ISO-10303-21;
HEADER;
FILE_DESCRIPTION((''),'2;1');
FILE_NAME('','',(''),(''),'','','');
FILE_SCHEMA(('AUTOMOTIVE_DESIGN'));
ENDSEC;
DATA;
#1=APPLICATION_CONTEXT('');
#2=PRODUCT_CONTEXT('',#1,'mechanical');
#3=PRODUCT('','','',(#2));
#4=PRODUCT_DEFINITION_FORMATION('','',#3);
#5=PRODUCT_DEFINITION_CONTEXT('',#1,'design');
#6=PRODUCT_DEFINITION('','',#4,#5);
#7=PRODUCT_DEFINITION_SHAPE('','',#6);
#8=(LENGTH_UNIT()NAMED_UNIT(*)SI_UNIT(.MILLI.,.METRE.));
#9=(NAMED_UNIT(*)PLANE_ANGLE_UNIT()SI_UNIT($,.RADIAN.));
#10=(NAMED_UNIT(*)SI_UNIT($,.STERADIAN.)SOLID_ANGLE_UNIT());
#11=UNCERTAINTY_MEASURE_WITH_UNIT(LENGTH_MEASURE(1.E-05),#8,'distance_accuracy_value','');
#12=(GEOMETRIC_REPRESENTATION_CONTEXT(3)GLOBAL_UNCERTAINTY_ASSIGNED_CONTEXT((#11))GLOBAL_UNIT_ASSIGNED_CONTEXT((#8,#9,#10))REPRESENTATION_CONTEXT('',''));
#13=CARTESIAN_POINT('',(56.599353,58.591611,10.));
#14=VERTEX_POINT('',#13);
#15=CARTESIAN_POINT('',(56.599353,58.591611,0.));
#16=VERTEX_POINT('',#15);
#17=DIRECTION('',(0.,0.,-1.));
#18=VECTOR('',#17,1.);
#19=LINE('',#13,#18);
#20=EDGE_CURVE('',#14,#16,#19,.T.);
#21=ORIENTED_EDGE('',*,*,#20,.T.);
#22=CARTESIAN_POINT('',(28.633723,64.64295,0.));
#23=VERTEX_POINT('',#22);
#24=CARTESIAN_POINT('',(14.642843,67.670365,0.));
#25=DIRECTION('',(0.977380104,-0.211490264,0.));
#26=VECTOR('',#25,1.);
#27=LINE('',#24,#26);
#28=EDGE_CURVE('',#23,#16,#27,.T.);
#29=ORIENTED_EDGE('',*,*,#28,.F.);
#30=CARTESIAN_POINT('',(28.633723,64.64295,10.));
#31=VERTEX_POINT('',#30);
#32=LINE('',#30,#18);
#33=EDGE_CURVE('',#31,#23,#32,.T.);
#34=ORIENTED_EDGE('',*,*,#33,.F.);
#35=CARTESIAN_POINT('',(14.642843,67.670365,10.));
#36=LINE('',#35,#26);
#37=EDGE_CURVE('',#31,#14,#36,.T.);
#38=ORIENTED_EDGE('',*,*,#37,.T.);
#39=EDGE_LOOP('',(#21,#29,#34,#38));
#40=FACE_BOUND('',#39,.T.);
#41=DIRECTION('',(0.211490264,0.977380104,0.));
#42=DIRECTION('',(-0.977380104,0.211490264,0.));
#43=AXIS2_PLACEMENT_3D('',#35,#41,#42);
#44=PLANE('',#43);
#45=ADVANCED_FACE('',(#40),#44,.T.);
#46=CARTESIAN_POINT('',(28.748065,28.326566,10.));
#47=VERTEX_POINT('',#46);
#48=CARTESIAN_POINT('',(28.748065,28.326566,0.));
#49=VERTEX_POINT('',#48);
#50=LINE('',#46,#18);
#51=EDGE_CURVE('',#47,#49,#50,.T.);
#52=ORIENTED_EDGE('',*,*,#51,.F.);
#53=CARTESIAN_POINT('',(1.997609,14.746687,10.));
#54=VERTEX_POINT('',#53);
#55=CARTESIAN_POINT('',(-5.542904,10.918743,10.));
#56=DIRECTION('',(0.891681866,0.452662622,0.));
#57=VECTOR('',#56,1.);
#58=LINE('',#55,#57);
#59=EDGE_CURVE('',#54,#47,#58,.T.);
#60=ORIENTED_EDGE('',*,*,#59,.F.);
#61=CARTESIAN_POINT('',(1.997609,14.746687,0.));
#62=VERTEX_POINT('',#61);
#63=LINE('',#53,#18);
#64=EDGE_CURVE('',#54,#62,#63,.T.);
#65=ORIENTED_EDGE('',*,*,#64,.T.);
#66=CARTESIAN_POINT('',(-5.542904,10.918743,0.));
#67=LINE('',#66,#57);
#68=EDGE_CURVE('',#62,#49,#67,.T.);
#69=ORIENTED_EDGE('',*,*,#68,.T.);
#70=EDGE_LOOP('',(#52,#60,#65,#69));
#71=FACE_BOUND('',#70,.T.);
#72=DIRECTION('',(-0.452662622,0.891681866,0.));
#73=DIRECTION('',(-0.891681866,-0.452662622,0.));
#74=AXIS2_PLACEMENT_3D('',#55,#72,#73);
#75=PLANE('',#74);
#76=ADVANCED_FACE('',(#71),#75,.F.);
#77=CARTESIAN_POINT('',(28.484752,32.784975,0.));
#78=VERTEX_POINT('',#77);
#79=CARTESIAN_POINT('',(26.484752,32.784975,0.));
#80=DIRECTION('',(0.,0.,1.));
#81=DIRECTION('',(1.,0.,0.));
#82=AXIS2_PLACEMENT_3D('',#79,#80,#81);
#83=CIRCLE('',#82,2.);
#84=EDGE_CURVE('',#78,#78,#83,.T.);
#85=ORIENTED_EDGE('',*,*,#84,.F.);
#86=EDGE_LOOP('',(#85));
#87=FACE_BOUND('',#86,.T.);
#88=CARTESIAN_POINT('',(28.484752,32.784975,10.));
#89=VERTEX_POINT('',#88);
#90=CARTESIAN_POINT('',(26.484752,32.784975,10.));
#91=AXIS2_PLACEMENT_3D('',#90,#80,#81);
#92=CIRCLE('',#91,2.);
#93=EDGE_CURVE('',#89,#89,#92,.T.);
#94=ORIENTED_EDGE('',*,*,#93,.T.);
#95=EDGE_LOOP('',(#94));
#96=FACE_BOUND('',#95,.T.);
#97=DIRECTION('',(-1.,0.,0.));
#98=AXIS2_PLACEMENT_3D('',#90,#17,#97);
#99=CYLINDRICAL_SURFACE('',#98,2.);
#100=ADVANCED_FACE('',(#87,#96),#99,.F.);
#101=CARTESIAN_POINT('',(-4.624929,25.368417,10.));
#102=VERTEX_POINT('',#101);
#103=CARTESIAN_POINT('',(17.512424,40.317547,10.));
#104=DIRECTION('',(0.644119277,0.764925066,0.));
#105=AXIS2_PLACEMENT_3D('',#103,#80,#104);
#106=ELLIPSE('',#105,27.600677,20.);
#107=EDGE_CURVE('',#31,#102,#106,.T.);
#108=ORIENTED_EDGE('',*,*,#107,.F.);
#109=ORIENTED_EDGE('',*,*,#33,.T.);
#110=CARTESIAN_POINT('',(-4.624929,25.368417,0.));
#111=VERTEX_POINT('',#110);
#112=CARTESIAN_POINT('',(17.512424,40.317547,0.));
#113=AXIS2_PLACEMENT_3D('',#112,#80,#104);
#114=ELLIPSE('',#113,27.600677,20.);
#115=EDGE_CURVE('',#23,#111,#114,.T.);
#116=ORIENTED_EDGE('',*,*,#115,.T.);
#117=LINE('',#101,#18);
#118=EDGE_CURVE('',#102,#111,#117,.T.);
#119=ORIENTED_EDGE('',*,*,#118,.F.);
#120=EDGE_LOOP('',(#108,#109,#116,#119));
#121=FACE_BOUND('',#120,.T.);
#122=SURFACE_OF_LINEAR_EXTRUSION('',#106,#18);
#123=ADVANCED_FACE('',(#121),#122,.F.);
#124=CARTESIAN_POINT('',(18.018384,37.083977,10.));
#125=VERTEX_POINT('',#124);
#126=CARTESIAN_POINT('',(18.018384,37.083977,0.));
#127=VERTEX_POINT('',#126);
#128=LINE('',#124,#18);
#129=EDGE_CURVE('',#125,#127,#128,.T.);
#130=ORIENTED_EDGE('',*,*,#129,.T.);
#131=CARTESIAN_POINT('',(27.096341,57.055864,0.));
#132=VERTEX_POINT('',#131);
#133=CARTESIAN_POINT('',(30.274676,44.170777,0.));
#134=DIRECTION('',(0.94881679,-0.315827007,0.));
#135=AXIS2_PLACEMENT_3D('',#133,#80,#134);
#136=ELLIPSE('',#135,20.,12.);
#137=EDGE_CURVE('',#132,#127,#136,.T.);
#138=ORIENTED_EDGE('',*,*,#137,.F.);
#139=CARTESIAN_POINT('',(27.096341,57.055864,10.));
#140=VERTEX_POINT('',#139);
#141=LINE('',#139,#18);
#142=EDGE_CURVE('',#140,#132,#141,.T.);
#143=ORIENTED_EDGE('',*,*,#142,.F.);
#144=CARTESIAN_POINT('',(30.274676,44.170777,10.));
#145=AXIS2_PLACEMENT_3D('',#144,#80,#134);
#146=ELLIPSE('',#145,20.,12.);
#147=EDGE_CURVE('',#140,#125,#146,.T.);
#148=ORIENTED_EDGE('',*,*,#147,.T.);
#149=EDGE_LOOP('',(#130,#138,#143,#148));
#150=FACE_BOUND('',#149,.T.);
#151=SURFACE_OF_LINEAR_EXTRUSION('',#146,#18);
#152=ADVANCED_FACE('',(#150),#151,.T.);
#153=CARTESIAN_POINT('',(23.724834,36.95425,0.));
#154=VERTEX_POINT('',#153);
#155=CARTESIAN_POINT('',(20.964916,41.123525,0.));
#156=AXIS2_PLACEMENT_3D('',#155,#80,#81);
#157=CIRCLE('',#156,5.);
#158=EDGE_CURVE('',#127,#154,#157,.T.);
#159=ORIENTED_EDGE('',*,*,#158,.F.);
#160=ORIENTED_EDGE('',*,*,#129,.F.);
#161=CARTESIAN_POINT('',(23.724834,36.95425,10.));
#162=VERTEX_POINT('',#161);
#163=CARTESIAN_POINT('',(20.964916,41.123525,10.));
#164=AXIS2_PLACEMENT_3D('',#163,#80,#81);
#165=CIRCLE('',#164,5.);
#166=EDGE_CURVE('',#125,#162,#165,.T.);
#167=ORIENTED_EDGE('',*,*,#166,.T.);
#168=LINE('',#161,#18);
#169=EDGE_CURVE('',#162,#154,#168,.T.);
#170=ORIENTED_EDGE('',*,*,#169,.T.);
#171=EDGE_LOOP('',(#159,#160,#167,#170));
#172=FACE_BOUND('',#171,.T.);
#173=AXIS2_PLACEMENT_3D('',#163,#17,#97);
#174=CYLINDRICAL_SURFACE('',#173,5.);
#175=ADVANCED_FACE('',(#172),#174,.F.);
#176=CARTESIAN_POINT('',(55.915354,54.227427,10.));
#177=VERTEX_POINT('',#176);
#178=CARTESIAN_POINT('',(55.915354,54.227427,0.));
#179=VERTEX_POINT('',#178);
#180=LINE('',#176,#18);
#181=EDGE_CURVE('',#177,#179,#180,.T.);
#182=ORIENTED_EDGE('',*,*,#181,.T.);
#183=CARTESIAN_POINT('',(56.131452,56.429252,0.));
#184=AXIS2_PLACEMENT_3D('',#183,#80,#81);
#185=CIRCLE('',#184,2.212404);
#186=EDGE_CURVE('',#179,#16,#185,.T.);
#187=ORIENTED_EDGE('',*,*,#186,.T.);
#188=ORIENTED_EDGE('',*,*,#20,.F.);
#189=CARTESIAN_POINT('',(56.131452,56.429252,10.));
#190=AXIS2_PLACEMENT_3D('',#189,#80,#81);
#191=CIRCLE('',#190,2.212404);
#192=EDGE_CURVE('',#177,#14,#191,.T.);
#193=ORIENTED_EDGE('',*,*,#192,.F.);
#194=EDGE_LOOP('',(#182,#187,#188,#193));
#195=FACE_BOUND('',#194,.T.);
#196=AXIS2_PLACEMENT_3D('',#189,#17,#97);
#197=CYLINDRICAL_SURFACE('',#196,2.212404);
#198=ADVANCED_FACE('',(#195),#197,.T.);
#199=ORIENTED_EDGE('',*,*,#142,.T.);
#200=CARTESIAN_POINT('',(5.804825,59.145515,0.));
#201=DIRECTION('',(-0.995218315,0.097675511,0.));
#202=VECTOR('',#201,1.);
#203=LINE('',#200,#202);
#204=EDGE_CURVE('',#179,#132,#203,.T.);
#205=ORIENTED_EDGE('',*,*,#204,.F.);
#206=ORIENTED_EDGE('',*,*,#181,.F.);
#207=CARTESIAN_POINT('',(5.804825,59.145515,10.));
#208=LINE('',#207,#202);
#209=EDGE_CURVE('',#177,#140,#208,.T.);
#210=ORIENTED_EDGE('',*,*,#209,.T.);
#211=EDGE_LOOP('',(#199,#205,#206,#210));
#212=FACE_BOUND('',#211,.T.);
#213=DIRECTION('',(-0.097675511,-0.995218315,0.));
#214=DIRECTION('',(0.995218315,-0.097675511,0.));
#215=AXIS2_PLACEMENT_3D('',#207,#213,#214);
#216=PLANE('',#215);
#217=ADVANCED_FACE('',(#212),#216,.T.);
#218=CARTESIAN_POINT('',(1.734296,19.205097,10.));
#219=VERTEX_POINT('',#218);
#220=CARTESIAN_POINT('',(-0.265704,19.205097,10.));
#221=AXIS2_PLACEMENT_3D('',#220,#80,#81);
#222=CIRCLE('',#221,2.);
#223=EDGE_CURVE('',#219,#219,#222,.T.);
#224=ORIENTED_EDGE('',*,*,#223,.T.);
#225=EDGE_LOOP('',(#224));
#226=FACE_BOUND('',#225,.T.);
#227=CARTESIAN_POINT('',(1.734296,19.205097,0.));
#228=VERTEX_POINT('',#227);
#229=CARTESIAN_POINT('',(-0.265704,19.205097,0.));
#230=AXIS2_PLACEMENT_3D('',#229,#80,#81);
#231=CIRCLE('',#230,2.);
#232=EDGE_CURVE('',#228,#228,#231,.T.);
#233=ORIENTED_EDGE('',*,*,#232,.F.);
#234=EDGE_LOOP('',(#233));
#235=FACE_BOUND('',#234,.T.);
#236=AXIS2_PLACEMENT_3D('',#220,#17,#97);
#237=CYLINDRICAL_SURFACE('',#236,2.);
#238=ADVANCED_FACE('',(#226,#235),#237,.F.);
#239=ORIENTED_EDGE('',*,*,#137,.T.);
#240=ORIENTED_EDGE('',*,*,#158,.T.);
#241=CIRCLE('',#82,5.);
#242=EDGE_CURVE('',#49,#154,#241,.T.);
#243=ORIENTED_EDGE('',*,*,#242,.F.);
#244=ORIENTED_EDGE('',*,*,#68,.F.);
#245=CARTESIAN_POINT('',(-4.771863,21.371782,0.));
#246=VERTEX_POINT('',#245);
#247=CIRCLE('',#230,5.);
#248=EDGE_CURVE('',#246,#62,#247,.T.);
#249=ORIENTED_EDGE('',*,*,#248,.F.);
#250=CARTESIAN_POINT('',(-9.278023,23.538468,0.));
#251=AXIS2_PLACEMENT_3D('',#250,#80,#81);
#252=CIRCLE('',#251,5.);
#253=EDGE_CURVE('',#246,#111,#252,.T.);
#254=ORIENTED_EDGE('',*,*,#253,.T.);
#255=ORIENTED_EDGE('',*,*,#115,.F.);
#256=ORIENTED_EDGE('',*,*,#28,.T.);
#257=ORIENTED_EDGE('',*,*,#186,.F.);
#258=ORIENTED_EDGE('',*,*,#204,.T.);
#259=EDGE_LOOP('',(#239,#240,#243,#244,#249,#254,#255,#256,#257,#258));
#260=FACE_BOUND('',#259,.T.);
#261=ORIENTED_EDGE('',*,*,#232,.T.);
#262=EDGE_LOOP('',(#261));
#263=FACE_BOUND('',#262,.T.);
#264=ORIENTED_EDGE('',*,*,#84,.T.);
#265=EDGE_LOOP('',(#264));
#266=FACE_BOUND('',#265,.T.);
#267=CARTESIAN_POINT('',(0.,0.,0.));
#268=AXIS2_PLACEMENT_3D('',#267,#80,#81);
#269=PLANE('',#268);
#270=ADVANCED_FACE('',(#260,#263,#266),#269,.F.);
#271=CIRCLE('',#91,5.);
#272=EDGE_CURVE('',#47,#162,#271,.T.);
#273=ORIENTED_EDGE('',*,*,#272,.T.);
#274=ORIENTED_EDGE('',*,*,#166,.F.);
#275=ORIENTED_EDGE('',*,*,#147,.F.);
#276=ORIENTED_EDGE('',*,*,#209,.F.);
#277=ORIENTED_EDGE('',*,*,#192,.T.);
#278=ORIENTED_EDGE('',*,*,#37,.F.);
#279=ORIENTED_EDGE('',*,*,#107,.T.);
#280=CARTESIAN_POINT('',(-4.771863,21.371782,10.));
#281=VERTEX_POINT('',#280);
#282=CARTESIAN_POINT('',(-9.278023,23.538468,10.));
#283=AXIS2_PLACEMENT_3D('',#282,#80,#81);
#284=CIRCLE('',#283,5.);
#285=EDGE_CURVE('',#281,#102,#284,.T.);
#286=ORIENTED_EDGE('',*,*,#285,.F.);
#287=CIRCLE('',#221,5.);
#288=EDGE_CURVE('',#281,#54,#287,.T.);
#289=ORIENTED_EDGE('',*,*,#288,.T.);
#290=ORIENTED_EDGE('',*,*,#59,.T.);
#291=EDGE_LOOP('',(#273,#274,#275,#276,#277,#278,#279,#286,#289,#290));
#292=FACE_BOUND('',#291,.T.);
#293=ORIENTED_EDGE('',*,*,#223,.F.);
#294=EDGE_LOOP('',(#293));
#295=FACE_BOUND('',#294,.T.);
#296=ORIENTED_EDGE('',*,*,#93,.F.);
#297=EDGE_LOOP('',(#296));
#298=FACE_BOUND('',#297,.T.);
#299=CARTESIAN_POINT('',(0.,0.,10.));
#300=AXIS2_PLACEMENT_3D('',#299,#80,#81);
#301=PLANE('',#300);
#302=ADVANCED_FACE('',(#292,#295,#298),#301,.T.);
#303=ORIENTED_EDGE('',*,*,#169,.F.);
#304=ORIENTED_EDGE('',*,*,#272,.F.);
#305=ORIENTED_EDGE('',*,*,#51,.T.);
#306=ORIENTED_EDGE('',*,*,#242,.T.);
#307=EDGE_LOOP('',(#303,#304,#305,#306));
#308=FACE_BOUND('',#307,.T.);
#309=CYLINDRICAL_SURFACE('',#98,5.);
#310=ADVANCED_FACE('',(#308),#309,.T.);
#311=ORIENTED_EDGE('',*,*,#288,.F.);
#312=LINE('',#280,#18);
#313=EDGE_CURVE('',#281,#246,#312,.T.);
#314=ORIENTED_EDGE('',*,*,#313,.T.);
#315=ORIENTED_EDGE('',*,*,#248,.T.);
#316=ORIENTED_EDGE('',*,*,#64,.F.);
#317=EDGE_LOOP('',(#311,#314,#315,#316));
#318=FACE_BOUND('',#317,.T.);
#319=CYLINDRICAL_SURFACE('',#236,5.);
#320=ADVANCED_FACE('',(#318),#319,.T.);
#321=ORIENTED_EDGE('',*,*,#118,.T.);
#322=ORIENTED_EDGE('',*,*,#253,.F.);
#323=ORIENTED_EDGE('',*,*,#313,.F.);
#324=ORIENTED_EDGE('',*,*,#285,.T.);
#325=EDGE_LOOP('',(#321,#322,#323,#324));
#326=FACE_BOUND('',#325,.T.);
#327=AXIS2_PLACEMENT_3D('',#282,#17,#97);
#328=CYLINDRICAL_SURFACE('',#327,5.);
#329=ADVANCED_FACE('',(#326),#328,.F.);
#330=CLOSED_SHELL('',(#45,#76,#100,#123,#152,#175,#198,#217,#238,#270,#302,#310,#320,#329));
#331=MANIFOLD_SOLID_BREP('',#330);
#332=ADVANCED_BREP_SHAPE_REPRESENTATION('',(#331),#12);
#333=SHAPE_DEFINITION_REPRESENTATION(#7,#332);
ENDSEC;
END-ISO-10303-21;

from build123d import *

# Parameters (mm, degrees)
SKETCH1_R           = 2
BOSS_EXTRUDE1_DEPTH = 10


with BuildPart() as part:
    # Sketch1 → Boss-Extrude1 (new body)
    with BuildSketch(Plane.XY):
        with BuildLine():
            Line((1.997609294, 14.746687389), (28.748065289, 28.326566036))
            ThreePointArc((28.748065289, 28.326566036), (30.805734405, 35.300748137), (23.724834089, 36.954250141))
            ThreePointArc((23.724834089, 36.954250141), (20.851278613, 36.124816425), (18.018383872, 37.083976864))
            add(Edge.make_bspline(
                [(27.096341183, 57.0558637), (-15.03027812, 61.190372697), (18.018383872, 37.083976864)],
                knots=[5.074507124, 5.074507124, 5.074507124, 7.365213451, 7.365213451, 7.365213451], degree=2, weights=[1, 0.41272448, 1]))
            Line((27.096341183, 57.0558637), (55.915354023, 54.227427195))
            ThreePointArc((55.915354023, 54.227427195), (58.317172637, 56.086683182), (56.599353473, 58.591610886))
            Line((56.599353473, 58.591610886), (28.633722858, 64.642950152))
            add(Edge.make_bspline(
                [(28.633722858, 64.642950152), (-24.600856245, 76.162107481), (-4.624928751, 25.368416784)],
                knots=[3.507798101, 3.507798101, 3.507798101, 5.909316529, 5.909316529, 5.909316529], degree=2, weights=[1, 0.361650033, 1]))
            ThreePointArc((-4.624928751, 25.368416784), (-4.281398653, 23.35476873), (-4.7718634, 21.371782158))
            ThreePointArc((-4.7718634, 21.371782158), (-3.762925605, 15.631661435), (1.997609294, 14.746687389))
        make_face()
        with Locations((-0.265703814, 19.205096721)):
            Circle(SKETCH1_R, mode=Mode.SUBTRACT)
        with Locations((26.484752181, 32.784975369)):
            Circle(SKETCH1_R, mode=Mode.SUBTRACT)
    extrude(amount=BOSS_EXTRUDE1_DEPTH)


solid = part.part
